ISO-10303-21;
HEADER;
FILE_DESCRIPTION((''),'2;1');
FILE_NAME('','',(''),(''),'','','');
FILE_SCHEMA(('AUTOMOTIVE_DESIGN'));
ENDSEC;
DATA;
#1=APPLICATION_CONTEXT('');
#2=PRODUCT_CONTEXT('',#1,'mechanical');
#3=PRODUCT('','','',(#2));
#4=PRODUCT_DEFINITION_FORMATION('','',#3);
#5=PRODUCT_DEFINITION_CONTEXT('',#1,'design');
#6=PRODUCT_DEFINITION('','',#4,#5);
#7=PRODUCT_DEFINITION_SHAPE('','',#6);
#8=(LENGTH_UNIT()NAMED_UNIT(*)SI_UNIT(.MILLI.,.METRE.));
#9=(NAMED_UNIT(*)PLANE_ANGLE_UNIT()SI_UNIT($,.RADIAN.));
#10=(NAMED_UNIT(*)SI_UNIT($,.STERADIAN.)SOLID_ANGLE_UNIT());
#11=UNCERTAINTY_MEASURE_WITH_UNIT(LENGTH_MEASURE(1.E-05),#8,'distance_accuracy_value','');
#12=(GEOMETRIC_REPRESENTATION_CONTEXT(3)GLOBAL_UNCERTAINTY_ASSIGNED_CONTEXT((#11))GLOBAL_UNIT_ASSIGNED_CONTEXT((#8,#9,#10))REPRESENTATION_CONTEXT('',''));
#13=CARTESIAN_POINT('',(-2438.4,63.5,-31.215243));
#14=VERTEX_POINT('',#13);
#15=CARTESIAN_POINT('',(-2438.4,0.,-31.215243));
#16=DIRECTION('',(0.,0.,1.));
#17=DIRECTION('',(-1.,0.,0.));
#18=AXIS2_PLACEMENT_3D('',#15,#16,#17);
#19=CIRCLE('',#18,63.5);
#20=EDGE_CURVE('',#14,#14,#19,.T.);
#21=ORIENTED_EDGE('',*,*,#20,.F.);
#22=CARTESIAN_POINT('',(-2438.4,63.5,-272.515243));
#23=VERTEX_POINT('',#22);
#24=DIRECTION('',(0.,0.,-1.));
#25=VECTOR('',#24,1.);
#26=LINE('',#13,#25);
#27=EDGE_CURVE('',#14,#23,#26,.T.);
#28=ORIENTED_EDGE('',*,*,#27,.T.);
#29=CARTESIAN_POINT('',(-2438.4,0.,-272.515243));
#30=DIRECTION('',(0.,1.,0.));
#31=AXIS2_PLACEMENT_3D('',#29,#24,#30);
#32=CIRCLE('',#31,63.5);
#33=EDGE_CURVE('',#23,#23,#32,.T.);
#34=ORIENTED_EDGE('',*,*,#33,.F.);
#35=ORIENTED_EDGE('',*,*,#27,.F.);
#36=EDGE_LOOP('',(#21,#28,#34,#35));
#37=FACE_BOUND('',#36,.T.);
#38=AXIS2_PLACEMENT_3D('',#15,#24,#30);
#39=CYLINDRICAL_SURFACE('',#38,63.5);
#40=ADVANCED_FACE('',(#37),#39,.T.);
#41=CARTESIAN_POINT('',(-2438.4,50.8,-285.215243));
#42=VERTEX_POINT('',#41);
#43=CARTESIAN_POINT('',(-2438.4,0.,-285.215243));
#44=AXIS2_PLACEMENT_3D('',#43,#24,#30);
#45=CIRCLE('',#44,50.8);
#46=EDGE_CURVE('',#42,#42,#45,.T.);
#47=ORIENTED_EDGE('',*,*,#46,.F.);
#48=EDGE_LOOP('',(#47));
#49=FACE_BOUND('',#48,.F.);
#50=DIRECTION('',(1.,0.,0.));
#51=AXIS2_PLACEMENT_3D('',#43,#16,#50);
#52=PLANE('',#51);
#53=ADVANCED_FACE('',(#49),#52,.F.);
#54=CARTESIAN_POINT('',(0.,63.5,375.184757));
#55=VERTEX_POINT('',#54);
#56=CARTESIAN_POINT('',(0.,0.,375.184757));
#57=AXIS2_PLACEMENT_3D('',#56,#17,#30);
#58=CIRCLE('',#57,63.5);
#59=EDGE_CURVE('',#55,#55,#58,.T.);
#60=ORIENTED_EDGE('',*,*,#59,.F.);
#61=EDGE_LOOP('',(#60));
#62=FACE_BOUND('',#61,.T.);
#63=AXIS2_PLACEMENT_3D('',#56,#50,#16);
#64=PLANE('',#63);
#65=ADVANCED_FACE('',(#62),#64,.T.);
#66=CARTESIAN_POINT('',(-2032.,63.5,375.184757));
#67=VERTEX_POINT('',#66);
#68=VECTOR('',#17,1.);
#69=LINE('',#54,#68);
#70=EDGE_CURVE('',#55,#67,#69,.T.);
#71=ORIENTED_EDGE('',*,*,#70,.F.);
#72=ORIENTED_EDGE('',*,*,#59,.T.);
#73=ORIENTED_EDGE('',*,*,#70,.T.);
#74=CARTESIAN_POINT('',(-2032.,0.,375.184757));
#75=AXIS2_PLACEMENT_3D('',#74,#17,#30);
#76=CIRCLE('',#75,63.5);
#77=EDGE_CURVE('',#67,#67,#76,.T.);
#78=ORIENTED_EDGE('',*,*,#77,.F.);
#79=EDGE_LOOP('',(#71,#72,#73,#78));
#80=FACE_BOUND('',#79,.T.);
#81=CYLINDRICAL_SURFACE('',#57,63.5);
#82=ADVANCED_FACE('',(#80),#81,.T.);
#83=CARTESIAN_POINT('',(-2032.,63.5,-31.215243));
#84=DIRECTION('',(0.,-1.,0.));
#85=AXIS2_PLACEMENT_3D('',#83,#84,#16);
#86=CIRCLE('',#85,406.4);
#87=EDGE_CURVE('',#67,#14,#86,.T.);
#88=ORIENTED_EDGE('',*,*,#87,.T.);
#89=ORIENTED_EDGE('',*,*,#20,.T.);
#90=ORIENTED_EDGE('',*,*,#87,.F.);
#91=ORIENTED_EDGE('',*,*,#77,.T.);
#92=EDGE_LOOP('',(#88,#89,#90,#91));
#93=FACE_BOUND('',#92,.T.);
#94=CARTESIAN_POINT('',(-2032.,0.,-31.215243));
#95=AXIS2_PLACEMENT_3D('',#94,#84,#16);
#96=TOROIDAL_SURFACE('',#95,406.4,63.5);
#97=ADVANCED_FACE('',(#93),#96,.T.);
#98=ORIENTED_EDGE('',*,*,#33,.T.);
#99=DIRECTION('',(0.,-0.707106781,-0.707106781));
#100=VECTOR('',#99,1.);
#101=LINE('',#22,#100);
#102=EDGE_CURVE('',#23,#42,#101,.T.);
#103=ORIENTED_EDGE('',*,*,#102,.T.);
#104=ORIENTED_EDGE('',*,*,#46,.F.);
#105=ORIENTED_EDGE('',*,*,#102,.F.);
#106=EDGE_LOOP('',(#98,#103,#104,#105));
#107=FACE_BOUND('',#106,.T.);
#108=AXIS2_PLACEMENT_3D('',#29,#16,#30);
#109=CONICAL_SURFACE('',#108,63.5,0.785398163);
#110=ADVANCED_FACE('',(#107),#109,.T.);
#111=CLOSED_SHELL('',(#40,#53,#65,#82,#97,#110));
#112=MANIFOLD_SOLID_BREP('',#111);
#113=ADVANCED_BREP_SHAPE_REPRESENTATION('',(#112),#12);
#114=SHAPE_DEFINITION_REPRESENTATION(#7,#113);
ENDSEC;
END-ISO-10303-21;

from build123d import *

# Parameters (mm, degrees)
F1_R     = 63.5
F3_SIZE2 = 12.7
F3_SIZE  = 12.7


with BuildPart() as f2:
    # F2: sweep along a path in F0
    with BuildLine(Plane.XZ) as f2_path:
        Line((0, 375.1847569466), (-2032, 375.1847569466))
        ThreePointArc((-2032, 375.1847569466), (-2319.3681958742, 256.1529528208), (-2438.4, -31.2152430534))
        Line((-2438.4, -31.2152430534), (-2438.4, -285.2152430534))
    # F1 (on Right) → F2 (sweep)
    with BuildSketch(Plane.YZ):
        with Locations((0, 375.1847569466)):
            Circle(F1_R)
    sweep(path=f2_path.line)

    # F3
    f3_edges = [f2.edges().sort_by_distance(p)[0] for p in [
        (-2438.4, -63.5, -285.215243),
    ]]
    chamfer(f3_edges, length=F3_SIZE, length2=F3_SIZE2)


solid = f2.part
